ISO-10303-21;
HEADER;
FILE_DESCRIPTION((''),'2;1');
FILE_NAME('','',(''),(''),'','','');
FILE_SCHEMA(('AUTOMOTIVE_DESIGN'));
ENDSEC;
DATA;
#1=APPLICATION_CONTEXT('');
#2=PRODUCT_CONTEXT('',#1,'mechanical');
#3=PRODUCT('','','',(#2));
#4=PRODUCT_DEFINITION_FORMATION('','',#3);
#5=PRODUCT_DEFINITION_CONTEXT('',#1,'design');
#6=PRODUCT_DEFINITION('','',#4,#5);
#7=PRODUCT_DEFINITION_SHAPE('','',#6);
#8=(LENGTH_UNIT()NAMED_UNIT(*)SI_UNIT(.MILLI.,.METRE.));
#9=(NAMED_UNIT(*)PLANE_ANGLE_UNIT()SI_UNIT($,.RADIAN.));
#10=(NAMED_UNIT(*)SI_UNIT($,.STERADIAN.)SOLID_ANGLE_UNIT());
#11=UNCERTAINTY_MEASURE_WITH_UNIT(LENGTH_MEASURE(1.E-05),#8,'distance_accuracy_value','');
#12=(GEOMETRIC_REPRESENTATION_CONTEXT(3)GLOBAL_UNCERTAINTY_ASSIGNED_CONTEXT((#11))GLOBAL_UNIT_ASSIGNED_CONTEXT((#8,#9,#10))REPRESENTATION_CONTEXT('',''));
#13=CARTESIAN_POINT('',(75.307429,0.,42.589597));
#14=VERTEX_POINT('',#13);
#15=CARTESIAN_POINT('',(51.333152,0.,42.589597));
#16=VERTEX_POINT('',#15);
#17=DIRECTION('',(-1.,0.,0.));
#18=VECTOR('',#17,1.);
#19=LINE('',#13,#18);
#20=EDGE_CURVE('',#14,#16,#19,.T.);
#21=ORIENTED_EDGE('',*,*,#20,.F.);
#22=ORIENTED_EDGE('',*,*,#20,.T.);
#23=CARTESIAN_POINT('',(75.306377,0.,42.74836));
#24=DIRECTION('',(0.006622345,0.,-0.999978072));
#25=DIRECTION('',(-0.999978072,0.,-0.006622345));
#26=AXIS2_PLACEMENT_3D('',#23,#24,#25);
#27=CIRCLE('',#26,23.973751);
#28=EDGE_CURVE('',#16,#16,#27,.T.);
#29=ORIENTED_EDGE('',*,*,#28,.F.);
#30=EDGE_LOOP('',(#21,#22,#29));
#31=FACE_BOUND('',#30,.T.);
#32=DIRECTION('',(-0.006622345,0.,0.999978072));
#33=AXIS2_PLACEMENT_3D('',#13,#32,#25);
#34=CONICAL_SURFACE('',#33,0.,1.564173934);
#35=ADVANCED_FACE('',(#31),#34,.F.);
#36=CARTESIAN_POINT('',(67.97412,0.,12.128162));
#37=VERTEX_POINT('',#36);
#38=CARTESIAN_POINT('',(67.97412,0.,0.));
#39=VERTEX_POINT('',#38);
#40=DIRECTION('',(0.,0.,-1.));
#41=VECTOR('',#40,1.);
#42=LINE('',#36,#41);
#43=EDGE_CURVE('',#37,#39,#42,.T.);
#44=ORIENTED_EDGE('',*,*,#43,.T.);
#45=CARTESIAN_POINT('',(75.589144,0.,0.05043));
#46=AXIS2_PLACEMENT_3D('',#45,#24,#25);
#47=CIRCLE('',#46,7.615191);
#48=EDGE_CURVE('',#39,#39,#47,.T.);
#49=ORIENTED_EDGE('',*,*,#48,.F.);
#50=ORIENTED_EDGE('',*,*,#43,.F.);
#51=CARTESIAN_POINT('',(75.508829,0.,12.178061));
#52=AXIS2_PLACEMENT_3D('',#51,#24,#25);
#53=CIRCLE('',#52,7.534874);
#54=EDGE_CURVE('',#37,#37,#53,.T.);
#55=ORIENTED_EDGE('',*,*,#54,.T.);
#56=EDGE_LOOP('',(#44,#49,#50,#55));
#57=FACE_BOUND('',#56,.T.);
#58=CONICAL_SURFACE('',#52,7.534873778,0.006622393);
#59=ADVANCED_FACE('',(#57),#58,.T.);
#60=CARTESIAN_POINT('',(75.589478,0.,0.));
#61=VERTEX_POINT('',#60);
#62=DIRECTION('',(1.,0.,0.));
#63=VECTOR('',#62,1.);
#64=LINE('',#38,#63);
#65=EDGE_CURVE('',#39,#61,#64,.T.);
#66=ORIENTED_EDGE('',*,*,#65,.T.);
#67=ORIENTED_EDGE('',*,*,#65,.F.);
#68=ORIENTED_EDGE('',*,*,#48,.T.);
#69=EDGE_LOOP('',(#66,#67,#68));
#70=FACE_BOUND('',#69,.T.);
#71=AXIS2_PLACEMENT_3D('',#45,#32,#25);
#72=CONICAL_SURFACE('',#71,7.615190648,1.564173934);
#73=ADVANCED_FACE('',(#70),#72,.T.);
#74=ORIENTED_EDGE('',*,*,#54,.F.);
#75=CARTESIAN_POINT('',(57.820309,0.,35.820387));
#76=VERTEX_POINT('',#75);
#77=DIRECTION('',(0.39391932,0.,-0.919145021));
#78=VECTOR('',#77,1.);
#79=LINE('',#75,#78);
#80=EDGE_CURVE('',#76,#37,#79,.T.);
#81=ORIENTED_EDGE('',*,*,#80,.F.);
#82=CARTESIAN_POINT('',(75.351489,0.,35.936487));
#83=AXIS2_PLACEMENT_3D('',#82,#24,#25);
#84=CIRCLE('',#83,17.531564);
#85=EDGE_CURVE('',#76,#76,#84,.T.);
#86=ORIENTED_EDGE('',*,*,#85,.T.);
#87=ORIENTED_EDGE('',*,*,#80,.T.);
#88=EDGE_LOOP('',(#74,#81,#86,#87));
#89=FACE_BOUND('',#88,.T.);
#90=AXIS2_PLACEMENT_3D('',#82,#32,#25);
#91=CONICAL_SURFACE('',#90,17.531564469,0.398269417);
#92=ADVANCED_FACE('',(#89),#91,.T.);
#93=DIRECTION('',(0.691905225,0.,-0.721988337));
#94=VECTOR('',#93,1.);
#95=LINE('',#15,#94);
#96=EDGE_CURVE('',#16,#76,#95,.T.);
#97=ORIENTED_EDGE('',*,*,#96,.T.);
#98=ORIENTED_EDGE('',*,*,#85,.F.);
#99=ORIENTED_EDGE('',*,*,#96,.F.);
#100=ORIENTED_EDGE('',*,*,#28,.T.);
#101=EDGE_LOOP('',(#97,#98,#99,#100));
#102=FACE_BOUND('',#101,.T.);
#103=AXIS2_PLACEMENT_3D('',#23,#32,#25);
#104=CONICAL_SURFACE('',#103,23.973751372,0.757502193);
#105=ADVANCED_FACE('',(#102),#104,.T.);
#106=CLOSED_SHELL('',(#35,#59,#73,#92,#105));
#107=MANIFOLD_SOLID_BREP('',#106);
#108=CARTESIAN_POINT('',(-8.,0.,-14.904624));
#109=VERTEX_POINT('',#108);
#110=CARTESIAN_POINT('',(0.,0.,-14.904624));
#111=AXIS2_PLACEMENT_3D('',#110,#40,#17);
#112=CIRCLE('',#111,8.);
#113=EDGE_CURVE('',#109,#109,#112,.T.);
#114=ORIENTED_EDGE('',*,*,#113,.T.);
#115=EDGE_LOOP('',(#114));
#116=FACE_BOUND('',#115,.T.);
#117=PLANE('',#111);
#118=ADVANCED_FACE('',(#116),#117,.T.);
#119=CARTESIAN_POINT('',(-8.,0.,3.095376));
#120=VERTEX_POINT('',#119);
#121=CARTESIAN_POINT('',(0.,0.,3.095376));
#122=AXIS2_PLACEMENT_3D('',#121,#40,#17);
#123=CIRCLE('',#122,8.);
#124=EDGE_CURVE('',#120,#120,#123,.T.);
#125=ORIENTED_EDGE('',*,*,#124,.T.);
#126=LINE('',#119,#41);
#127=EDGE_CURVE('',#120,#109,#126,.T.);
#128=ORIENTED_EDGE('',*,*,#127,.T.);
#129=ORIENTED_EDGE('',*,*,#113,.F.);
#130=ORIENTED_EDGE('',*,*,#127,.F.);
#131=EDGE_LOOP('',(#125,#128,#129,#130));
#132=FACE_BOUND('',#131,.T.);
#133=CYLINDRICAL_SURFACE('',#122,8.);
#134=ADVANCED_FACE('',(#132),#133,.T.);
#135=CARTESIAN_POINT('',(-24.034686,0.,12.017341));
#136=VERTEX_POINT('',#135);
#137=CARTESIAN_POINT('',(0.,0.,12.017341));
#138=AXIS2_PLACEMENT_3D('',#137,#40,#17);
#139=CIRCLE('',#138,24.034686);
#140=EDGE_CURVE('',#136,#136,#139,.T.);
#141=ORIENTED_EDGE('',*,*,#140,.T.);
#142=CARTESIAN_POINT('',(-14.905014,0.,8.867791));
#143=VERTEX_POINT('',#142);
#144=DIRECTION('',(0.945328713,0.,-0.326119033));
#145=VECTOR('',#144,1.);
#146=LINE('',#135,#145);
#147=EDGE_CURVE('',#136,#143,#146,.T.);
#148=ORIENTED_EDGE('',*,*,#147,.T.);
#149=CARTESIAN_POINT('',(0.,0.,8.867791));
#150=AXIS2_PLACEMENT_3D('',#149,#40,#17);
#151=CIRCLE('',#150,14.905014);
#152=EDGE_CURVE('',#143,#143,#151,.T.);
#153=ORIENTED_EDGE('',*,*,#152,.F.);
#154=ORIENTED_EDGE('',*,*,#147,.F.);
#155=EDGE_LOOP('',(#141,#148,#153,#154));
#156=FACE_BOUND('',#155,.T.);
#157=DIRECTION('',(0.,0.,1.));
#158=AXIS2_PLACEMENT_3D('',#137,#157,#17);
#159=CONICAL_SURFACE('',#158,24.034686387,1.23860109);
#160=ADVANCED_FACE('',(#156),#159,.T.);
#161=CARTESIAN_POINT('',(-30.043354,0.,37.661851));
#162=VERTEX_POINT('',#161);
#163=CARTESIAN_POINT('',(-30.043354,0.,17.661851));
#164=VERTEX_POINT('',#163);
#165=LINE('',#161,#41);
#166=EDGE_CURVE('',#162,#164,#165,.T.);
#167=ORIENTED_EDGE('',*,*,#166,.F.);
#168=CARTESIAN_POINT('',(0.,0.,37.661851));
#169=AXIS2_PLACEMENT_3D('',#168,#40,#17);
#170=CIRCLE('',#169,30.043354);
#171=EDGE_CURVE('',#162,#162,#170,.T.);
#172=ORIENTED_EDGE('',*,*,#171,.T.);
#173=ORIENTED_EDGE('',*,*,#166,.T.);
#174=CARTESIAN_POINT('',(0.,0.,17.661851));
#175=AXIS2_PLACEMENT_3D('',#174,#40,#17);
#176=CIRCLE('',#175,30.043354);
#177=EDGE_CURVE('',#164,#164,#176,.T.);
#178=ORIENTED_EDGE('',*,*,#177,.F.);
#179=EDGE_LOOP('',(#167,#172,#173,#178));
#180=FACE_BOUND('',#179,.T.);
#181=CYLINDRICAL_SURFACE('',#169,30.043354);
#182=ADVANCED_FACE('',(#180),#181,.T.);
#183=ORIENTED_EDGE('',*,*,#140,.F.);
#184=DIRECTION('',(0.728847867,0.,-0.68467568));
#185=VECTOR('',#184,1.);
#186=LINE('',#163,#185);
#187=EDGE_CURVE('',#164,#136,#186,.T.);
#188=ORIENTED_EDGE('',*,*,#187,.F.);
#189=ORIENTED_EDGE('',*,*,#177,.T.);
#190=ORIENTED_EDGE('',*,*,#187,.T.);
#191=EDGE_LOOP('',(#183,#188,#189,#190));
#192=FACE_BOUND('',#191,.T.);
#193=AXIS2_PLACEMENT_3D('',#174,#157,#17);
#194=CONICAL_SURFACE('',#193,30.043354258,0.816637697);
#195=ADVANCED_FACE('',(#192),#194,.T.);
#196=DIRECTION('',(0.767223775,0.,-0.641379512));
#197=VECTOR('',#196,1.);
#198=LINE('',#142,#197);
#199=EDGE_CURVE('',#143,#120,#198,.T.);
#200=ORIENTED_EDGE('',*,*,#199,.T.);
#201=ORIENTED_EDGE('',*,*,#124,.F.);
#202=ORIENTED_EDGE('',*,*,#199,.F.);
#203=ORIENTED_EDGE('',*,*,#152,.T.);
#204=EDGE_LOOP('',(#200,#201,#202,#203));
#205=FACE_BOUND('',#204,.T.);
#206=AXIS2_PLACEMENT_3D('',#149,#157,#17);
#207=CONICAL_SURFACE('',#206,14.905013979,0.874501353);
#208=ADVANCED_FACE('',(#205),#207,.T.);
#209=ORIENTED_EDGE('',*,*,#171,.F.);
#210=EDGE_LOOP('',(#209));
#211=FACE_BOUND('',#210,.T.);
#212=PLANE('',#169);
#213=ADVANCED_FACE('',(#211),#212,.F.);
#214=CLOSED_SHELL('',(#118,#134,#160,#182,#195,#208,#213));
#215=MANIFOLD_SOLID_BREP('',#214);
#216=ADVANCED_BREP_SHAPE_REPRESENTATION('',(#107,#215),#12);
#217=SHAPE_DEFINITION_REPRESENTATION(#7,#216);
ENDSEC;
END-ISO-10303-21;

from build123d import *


with BuildPart() as f1:
    # F0 (on Front) → F1 (revolve)
    with BuildSketch(Plane.XZ):
        Polygon((0, -14.9046241604), (0, 37.6618508995), (-30.0433542579, 37.6618508995), (-30.0433542579, 17.6618508995), (-24.0346863866, 12.0173413306), (-14.9050139795, 8.8677914469), (-8, 3.0953758396), (-8, -14.9046241604), align=None)
    revolve(axis=Axis((0, 0, 11.3786133695), (0, 0, -1)))


with BuildPart() as f3:
    # F2 (on Front) → F3 (revolve)
    with BuildSketch(Plane.XZ):
        Polygon((67.9741203785, 0), (75.5894780159, 0), (75.3074288368, 42.589597404), (51.3331517577, 42.589597404), (57.8203089535, 35.8203873038), (67.9741203785, 12.1281621978), align=None)
    revolve(axis=Axis((75.4484534264, 0, 21.294798702), (0.0066223447, 0, -0.999978072)))


solid = Compound([f1.part, f3.part])
